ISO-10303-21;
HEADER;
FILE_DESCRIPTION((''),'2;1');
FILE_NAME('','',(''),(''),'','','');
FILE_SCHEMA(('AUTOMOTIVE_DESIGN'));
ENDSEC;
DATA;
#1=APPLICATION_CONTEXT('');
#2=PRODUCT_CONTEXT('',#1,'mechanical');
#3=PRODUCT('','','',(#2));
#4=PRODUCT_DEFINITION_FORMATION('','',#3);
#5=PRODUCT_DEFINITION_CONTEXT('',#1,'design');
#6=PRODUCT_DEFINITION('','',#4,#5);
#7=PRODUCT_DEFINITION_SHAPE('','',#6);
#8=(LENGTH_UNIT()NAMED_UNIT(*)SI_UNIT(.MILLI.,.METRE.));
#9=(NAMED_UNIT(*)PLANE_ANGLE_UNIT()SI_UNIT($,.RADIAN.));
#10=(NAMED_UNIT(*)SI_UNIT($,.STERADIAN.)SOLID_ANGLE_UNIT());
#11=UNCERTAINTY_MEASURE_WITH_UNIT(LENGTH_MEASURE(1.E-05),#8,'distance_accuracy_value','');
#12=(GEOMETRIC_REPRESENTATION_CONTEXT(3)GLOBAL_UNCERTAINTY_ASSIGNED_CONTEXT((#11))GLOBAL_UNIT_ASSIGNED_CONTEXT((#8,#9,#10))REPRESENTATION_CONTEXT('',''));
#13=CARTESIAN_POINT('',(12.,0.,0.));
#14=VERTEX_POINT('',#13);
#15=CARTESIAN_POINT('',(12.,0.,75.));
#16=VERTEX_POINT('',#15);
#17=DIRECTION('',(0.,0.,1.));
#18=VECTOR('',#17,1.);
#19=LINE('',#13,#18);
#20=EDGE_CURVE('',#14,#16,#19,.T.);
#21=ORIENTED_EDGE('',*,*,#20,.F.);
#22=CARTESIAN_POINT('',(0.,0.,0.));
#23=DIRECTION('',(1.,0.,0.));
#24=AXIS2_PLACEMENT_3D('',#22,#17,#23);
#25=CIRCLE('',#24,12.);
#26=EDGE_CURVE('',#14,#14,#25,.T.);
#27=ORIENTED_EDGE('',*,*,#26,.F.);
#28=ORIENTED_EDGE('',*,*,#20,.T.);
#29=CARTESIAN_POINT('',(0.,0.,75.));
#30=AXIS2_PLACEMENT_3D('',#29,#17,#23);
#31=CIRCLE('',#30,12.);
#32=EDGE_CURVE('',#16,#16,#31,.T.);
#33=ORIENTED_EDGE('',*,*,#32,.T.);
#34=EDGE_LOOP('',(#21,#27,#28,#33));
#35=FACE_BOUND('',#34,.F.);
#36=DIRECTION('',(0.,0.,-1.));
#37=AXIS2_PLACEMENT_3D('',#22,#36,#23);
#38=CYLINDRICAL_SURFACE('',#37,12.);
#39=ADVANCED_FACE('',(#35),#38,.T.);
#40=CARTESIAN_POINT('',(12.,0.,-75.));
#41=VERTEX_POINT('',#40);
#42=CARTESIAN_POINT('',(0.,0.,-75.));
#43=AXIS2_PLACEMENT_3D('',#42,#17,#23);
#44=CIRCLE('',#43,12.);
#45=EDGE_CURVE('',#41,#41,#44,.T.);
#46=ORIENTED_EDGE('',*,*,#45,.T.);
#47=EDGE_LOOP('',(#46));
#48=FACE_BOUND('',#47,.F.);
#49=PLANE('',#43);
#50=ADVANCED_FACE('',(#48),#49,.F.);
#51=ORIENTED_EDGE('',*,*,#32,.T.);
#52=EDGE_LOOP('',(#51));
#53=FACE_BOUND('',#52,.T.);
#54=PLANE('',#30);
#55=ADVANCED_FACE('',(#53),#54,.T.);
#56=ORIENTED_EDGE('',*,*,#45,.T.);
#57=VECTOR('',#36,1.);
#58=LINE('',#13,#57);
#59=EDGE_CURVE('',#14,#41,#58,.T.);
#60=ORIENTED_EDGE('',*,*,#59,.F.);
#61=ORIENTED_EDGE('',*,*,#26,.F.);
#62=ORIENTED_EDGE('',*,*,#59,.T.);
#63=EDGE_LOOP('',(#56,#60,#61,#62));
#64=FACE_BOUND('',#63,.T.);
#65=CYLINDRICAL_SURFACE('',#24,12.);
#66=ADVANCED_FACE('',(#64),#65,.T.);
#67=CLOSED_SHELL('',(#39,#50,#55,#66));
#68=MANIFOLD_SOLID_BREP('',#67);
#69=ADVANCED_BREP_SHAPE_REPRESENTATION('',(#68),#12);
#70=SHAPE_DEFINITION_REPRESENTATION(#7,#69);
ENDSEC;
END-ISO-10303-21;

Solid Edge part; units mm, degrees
sketch "Sketch1" plane through (0, 0, 0) normal (0, 0, 1) x (1, 0, 0)
  circle A0 centre (0, 0) radius 12
extrude "Protrusion1" add sketch "Sketch1" along normal mid plane 150
properties material "Mild Steel"
